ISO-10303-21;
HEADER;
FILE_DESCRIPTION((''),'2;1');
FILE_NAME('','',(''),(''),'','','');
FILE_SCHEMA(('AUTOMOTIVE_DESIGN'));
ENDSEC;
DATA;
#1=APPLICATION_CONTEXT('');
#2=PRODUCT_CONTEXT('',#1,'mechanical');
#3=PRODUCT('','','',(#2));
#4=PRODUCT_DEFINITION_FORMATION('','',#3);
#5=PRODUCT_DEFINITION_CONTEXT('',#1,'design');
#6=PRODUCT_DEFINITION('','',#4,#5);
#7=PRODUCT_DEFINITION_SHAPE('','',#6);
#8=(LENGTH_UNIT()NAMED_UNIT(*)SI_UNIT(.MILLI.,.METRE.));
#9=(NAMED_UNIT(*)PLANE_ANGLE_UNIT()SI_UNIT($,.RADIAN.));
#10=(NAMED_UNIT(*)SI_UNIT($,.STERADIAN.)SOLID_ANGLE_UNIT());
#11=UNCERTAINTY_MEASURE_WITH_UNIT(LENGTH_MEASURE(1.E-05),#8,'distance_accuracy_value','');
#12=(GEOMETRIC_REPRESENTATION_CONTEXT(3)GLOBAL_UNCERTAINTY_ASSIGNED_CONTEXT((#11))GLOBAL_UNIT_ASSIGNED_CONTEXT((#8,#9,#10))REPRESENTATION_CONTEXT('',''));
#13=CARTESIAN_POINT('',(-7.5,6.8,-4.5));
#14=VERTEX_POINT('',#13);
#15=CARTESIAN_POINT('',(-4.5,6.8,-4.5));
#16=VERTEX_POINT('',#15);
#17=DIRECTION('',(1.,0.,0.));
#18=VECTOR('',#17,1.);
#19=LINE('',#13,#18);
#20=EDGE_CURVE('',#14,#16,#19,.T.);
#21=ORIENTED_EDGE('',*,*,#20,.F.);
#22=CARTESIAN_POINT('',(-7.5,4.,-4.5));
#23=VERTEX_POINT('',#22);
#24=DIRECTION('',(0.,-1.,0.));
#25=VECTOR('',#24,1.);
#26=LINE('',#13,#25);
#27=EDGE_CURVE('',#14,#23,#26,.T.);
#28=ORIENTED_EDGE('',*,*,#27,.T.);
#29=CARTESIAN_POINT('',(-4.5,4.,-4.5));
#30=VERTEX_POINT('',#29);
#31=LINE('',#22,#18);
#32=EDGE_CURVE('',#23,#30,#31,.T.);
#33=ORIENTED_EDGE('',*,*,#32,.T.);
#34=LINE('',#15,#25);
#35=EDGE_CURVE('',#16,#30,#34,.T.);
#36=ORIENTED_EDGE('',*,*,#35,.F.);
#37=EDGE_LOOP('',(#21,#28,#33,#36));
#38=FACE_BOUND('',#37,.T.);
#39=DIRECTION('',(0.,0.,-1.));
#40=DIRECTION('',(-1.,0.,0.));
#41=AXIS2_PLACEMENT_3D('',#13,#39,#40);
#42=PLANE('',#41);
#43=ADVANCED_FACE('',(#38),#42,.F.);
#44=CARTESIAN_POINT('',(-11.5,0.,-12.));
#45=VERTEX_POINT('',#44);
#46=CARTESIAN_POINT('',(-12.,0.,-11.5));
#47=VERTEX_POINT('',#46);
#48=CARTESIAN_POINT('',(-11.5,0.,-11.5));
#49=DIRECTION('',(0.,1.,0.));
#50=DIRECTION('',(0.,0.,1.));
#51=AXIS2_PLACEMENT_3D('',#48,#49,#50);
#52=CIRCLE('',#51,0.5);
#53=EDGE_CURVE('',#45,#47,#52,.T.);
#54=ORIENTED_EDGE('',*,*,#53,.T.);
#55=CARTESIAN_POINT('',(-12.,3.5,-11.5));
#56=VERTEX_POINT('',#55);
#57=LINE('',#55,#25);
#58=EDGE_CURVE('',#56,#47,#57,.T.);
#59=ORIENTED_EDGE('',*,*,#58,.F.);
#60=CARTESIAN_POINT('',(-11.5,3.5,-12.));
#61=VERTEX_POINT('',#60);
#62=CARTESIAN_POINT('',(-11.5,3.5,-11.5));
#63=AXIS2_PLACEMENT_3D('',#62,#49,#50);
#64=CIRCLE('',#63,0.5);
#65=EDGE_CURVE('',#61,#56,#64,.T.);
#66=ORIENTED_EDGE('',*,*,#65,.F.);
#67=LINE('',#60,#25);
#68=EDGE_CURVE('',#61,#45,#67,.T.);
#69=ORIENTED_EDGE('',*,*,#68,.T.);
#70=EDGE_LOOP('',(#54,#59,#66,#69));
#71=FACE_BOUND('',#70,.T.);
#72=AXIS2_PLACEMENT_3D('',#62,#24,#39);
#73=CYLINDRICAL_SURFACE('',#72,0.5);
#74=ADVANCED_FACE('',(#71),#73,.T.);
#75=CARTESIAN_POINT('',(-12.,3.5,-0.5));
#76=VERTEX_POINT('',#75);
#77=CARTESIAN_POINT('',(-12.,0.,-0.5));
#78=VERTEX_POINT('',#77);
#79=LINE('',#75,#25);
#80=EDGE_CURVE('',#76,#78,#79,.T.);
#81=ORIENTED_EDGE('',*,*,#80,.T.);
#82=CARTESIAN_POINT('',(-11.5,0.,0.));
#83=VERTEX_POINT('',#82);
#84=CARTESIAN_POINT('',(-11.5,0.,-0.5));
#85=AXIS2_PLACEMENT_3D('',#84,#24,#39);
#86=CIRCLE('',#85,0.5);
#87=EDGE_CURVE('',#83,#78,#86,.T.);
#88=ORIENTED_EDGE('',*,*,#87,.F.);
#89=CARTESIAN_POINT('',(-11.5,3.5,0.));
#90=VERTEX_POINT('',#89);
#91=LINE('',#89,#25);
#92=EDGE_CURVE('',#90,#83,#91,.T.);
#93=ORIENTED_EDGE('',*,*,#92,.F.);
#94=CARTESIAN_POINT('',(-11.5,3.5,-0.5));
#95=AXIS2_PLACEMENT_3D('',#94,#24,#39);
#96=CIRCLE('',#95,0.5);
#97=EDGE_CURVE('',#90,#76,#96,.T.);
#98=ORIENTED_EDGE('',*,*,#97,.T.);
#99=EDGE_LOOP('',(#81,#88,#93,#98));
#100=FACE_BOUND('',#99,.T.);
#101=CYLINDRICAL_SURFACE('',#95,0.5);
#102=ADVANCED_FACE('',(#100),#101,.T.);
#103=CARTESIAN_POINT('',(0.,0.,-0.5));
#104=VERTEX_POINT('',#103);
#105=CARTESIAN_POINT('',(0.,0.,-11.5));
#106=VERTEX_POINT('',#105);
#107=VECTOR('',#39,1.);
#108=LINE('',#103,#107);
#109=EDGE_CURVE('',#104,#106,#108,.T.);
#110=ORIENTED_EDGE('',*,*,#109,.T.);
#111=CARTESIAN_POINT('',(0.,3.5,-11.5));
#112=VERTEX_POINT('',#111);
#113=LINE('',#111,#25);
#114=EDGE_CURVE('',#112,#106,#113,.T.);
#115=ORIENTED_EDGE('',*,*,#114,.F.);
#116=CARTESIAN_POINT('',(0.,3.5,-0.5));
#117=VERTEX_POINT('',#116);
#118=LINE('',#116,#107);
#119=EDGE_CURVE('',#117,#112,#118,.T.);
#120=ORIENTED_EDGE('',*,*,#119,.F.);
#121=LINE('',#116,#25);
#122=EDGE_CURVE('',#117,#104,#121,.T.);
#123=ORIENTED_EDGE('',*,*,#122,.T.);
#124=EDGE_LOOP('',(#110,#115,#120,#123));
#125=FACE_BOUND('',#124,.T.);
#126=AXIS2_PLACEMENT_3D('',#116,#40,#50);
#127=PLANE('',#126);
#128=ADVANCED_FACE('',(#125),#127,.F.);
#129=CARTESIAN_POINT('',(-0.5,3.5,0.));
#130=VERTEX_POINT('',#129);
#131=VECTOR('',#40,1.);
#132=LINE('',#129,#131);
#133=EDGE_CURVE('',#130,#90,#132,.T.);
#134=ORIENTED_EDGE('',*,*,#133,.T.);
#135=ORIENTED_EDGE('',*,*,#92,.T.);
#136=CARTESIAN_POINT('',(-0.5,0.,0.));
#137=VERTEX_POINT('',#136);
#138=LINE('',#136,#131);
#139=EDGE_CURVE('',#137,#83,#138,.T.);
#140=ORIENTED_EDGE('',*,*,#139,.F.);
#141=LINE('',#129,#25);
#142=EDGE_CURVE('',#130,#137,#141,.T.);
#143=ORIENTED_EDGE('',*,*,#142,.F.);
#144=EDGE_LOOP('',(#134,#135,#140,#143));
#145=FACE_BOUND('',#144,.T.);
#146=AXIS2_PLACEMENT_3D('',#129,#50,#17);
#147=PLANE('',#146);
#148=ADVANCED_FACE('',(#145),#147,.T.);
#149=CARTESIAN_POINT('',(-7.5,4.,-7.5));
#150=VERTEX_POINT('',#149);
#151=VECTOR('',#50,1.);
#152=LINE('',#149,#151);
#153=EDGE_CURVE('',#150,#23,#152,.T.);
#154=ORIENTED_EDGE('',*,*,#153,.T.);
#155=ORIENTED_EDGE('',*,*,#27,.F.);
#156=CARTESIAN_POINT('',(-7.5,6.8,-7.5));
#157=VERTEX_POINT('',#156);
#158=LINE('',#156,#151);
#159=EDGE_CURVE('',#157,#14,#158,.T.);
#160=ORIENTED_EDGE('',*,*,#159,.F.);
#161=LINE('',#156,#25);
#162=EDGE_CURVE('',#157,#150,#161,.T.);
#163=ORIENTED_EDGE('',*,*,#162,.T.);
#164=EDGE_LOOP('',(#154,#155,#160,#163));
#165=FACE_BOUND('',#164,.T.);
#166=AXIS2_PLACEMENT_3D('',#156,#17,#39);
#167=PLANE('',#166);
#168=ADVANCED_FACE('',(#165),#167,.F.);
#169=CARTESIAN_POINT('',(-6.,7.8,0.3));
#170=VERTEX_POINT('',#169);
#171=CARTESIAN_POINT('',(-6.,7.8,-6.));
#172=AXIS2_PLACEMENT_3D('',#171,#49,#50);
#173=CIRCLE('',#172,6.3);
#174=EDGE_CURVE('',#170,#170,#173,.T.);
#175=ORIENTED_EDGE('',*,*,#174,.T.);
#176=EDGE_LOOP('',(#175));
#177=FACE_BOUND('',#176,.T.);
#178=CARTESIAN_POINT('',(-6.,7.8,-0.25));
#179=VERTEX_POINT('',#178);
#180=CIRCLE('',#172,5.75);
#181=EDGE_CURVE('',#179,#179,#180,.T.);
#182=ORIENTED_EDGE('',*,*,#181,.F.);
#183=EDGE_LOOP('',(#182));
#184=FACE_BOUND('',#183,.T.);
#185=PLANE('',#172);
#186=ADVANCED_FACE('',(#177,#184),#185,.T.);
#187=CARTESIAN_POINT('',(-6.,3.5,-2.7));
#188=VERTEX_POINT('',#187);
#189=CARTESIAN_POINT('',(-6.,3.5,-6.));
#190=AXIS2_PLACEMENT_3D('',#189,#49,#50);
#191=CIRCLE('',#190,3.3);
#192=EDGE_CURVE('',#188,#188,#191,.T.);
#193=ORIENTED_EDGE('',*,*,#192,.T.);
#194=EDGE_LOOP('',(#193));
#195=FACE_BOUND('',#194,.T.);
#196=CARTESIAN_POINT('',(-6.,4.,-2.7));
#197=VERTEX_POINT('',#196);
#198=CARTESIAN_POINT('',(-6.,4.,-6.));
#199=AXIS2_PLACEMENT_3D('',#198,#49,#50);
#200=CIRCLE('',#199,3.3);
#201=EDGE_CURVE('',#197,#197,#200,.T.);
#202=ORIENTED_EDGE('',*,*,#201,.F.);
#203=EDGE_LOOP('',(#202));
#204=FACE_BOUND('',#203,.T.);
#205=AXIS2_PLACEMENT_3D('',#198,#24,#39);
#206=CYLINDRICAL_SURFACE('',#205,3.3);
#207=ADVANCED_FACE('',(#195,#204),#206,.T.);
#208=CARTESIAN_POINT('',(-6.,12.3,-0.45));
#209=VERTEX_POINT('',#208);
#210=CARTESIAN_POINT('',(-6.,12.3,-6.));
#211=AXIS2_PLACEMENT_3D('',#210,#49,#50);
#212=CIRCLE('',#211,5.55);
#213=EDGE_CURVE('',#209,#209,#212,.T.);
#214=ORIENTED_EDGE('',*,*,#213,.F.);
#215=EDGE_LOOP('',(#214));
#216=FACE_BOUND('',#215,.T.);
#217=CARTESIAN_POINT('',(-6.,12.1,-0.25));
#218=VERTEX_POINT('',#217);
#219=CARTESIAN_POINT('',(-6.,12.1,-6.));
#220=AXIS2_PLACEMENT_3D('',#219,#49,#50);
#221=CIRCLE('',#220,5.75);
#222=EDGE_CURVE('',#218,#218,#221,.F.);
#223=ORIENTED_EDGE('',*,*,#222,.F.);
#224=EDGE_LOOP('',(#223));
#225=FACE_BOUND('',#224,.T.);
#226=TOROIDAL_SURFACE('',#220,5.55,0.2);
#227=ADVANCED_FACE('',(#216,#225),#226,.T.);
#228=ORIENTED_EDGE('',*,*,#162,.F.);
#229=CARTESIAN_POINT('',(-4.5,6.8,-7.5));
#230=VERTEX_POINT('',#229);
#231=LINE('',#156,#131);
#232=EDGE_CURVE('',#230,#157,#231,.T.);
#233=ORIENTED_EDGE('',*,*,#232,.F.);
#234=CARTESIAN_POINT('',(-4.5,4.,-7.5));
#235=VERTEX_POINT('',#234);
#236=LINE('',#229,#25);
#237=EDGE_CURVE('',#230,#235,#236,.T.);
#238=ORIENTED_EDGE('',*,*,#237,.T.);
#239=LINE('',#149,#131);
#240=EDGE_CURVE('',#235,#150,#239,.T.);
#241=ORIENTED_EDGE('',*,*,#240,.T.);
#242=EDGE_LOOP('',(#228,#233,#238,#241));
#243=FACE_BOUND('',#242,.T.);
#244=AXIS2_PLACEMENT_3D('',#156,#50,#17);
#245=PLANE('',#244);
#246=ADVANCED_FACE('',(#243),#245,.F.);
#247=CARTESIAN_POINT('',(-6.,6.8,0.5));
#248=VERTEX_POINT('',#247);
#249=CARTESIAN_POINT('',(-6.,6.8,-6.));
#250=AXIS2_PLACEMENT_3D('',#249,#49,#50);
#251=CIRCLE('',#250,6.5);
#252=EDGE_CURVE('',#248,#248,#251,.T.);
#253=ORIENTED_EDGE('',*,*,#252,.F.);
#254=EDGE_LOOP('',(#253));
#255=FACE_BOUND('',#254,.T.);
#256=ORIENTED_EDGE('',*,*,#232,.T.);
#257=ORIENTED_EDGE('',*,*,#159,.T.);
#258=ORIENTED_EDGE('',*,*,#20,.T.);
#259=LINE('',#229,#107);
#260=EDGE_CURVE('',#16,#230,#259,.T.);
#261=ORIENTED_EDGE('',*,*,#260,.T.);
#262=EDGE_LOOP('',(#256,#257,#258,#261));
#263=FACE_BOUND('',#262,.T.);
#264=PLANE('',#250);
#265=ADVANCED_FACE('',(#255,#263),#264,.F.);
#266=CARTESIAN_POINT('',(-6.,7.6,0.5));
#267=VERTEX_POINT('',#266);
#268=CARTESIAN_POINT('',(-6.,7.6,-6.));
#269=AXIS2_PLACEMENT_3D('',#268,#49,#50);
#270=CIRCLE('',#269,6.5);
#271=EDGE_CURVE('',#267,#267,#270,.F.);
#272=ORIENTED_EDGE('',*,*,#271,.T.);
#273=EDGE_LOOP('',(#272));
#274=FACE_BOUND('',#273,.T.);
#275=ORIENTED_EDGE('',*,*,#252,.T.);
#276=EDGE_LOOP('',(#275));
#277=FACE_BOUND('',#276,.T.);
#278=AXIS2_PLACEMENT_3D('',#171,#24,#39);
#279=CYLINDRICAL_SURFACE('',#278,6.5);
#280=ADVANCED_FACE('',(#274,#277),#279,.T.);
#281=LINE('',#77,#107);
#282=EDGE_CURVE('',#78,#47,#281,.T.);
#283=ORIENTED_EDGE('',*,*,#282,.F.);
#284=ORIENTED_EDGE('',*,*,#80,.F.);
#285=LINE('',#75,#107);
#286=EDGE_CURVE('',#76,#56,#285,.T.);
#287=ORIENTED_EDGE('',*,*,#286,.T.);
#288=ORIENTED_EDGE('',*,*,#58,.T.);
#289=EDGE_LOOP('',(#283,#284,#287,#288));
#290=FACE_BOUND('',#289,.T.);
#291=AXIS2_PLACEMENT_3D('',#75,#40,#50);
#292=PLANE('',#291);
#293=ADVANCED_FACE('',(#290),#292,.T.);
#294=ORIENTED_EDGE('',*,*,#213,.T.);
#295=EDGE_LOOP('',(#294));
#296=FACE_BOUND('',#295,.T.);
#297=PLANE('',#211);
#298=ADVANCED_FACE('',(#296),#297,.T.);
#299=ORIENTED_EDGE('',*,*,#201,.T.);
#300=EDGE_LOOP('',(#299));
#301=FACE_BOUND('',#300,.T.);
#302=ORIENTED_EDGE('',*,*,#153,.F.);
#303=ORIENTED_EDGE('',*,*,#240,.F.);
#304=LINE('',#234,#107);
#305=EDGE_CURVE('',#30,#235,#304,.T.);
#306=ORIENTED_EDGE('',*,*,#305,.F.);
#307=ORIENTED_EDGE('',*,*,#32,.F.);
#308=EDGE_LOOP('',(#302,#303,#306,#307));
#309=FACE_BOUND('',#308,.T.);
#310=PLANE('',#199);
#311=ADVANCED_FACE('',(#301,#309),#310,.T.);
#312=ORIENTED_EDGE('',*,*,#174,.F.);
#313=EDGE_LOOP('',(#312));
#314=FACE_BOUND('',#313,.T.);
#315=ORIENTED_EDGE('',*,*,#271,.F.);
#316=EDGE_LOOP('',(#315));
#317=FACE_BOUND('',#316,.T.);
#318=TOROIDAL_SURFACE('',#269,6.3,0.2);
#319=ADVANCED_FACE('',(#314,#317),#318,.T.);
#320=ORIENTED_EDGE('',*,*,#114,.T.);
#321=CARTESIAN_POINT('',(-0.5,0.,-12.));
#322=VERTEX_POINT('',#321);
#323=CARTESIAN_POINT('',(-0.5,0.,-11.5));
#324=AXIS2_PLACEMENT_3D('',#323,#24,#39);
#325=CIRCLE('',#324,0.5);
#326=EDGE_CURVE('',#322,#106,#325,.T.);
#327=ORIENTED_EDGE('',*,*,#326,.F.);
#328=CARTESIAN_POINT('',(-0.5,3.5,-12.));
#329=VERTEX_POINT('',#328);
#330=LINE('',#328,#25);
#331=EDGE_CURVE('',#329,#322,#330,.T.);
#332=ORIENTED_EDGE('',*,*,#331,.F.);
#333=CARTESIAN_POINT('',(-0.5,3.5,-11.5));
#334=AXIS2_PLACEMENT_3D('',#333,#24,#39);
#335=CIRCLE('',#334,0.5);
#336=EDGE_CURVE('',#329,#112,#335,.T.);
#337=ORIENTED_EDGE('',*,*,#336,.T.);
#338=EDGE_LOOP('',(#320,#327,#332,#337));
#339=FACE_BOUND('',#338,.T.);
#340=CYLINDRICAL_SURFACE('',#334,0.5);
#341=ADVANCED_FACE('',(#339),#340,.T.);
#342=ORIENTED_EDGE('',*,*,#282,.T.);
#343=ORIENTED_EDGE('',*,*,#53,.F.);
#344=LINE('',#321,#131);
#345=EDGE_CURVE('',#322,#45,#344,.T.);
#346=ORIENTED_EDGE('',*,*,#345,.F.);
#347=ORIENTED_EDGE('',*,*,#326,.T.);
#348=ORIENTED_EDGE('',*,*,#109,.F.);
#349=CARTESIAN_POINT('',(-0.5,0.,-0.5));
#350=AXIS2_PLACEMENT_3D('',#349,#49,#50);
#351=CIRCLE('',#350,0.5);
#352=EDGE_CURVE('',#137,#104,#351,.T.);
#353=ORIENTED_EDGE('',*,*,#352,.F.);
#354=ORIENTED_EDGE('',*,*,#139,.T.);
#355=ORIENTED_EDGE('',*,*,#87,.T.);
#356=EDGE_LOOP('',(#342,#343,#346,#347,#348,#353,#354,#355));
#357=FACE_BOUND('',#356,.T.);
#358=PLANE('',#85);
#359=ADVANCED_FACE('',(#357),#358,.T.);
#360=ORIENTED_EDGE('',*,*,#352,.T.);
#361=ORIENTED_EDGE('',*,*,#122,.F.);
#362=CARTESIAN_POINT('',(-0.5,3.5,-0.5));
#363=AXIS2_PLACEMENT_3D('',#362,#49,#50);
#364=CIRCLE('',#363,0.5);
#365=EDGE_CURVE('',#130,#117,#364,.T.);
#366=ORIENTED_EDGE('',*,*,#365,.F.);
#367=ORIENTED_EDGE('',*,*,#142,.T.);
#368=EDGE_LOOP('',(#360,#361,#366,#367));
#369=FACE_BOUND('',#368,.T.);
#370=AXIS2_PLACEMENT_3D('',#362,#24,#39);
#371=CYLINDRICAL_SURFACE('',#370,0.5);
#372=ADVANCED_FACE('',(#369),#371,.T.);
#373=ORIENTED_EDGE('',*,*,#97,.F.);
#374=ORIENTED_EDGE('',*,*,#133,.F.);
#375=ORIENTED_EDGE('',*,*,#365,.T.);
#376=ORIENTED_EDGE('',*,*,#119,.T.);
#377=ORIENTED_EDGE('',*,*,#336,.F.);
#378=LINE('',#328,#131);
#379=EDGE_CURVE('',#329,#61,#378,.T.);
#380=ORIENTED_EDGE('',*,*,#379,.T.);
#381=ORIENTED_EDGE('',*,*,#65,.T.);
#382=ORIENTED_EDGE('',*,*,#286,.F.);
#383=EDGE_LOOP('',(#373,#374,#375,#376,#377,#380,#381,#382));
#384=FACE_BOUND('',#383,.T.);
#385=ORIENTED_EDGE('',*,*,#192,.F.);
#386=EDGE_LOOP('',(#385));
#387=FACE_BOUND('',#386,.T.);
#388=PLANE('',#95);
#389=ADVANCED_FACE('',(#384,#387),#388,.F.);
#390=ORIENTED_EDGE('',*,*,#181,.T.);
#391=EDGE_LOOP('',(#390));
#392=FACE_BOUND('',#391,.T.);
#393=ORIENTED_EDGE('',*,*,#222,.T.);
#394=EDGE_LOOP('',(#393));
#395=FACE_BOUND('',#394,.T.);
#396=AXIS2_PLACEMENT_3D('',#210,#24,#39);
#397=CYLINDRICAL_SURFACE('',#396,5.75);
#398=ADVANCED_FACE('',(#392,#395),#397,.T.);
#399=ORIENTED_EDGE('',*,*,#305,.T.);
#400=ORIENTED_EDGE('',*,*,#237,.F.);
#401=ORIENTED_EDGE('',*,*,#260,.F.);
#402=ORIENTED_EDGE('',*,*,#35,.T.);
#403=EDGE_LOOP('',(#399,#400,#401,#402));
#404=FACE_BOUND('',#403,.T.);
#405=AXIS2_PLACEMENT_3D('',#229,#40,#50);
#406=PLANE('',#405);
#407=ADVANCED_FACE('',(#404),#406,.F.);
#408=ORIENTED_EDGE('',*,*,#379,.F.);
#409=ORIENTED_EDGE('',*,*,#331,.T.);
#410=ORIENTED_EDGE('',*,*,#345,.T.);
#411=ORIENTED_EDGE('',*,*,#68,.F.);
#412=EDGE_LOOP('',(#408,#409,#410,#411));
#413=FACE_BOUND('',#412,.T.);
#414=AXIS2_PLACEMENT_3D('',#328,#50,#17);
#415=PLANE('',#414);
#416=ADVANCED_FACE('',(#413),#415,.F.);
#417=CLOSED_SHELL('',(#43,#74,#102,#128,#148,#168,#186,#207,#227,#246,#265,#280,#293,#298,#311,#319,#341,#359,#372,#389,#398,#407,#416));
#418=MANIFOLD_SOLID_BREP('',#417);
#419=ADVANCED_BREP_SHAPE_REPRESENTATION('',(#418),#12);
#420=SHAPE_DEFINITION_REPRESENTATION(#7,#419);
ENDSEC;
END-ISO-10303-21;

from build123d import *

# Parameters (mm, degrees)
BOSS_EXTRUDE1_DEPTH = 3.5
SKETCH2_R           = 3.3
BOSS_EXTRUDE2_DEPTH = 0.5
SKETCH3_W           = 3
SKETCH3_H           = 3
BOSS_EXTRUDE3_DEPTH = 2.8
SKETCH4_R           = 6.5
BOSS_EXTRUDE4_DEPTH = 1
SKETCH5_R           = 5.75
BOSS_EXTRUDE5_DEPTH = 4.5
FILLET1_R           = 0.2


with BuildPart() as part:
    # Sketch1 → Boss-Extrude1 (new body)
    with BuildSketch(Plane(origin=(0, 0, 0), x_dir=(1, 0, 0), z_dir=(0, 1, 0))):
        with BuildLine():
            Line((-0.5, 0), (-11.5, 0))
            ThreePointArc((-11.5, 0), (-11.853553391, 0.146446609), (-12, 0.5))
            Line((-12, 0.5), (-12, 11.5))
            ThreePointArc((-12, 11.5), (-11.853553391, 11.853553391), (-11.5, 12))
            Line((-11.5, 12), (-0.5, 12))
            ThreePointArc((-0.5, 12), (-0.146446609, 11.853553391), (0, 11.5))
            Line((0, 11.5), (0, 0.5))
            ThreePointArc((0, 0.5), (-0.146446609, 0.146446609), (-0.5, 0))
        make_face()
    extrude(amount=BOSS_EXTRUDE1_DEPTH)

    # Sketch2 → Boss-Extrude2 (add)
    with BuildSketch(Plane(origin=(0, 3.5, 0), x_dir=(1, 0, 0), z_dir=(0, 1, 0))):
        with Locations(Location((-6, 6, 0), (0, 0, 270))):
            Circle(SKETCH2_R)
    extrude(amount=BOSS_EXTRUDE2_DEPTH)

    # Sketch3 → Boss-Extrude3 (add)
    with BuildSketch(Plane(origin=(0, 4, 0), x_dir=(1, 0, 0), z_dir=(0, 1, 0))):
        with Locations((-6, 6)):
            Rectangle(SKETCH3_W, SKETCH3_H)
    extrude(amount=BOSS_EXTRUDE3_DEPTH)

    # Sketch4 → Boss-Extrude4 (add)
    with BuildSketch(Plane(origin=(0, 6.8, 0), x_dir=(1, 0, 0), z_dir=(0, 1, 0))):
        with Locations(Location((-6, 6, 0), (0, 0, 270))):
            Circle(SKETCH4_R)
    extrude(amount=BOSS_EXTRUDE4_DEPTH)

    # Sketch5 → Boss-Extrude5 (add)
    with BuildSketch(Plane(origin=(0, 7.8, 0), x_dir=(1, 0, 0), z_dir=(0, 1, 0))):
        with Locations(Location((-6, 6, 0), (0, 0, 270))):
            Circle(SKETCH5_R)
    extrude(amount=BOSS_EXTRUDE5_DEPTH)

    # Fillet1
    fillet1_edges = [part.edges().sort_by_distance(p)[0] for p in [
        (-6, 7.8, -12.5),
        (-6, 12.3, -11.75),
    ]]
    fillet(fillet1_edges, radius=FILLET1_R)


solid = part.part
